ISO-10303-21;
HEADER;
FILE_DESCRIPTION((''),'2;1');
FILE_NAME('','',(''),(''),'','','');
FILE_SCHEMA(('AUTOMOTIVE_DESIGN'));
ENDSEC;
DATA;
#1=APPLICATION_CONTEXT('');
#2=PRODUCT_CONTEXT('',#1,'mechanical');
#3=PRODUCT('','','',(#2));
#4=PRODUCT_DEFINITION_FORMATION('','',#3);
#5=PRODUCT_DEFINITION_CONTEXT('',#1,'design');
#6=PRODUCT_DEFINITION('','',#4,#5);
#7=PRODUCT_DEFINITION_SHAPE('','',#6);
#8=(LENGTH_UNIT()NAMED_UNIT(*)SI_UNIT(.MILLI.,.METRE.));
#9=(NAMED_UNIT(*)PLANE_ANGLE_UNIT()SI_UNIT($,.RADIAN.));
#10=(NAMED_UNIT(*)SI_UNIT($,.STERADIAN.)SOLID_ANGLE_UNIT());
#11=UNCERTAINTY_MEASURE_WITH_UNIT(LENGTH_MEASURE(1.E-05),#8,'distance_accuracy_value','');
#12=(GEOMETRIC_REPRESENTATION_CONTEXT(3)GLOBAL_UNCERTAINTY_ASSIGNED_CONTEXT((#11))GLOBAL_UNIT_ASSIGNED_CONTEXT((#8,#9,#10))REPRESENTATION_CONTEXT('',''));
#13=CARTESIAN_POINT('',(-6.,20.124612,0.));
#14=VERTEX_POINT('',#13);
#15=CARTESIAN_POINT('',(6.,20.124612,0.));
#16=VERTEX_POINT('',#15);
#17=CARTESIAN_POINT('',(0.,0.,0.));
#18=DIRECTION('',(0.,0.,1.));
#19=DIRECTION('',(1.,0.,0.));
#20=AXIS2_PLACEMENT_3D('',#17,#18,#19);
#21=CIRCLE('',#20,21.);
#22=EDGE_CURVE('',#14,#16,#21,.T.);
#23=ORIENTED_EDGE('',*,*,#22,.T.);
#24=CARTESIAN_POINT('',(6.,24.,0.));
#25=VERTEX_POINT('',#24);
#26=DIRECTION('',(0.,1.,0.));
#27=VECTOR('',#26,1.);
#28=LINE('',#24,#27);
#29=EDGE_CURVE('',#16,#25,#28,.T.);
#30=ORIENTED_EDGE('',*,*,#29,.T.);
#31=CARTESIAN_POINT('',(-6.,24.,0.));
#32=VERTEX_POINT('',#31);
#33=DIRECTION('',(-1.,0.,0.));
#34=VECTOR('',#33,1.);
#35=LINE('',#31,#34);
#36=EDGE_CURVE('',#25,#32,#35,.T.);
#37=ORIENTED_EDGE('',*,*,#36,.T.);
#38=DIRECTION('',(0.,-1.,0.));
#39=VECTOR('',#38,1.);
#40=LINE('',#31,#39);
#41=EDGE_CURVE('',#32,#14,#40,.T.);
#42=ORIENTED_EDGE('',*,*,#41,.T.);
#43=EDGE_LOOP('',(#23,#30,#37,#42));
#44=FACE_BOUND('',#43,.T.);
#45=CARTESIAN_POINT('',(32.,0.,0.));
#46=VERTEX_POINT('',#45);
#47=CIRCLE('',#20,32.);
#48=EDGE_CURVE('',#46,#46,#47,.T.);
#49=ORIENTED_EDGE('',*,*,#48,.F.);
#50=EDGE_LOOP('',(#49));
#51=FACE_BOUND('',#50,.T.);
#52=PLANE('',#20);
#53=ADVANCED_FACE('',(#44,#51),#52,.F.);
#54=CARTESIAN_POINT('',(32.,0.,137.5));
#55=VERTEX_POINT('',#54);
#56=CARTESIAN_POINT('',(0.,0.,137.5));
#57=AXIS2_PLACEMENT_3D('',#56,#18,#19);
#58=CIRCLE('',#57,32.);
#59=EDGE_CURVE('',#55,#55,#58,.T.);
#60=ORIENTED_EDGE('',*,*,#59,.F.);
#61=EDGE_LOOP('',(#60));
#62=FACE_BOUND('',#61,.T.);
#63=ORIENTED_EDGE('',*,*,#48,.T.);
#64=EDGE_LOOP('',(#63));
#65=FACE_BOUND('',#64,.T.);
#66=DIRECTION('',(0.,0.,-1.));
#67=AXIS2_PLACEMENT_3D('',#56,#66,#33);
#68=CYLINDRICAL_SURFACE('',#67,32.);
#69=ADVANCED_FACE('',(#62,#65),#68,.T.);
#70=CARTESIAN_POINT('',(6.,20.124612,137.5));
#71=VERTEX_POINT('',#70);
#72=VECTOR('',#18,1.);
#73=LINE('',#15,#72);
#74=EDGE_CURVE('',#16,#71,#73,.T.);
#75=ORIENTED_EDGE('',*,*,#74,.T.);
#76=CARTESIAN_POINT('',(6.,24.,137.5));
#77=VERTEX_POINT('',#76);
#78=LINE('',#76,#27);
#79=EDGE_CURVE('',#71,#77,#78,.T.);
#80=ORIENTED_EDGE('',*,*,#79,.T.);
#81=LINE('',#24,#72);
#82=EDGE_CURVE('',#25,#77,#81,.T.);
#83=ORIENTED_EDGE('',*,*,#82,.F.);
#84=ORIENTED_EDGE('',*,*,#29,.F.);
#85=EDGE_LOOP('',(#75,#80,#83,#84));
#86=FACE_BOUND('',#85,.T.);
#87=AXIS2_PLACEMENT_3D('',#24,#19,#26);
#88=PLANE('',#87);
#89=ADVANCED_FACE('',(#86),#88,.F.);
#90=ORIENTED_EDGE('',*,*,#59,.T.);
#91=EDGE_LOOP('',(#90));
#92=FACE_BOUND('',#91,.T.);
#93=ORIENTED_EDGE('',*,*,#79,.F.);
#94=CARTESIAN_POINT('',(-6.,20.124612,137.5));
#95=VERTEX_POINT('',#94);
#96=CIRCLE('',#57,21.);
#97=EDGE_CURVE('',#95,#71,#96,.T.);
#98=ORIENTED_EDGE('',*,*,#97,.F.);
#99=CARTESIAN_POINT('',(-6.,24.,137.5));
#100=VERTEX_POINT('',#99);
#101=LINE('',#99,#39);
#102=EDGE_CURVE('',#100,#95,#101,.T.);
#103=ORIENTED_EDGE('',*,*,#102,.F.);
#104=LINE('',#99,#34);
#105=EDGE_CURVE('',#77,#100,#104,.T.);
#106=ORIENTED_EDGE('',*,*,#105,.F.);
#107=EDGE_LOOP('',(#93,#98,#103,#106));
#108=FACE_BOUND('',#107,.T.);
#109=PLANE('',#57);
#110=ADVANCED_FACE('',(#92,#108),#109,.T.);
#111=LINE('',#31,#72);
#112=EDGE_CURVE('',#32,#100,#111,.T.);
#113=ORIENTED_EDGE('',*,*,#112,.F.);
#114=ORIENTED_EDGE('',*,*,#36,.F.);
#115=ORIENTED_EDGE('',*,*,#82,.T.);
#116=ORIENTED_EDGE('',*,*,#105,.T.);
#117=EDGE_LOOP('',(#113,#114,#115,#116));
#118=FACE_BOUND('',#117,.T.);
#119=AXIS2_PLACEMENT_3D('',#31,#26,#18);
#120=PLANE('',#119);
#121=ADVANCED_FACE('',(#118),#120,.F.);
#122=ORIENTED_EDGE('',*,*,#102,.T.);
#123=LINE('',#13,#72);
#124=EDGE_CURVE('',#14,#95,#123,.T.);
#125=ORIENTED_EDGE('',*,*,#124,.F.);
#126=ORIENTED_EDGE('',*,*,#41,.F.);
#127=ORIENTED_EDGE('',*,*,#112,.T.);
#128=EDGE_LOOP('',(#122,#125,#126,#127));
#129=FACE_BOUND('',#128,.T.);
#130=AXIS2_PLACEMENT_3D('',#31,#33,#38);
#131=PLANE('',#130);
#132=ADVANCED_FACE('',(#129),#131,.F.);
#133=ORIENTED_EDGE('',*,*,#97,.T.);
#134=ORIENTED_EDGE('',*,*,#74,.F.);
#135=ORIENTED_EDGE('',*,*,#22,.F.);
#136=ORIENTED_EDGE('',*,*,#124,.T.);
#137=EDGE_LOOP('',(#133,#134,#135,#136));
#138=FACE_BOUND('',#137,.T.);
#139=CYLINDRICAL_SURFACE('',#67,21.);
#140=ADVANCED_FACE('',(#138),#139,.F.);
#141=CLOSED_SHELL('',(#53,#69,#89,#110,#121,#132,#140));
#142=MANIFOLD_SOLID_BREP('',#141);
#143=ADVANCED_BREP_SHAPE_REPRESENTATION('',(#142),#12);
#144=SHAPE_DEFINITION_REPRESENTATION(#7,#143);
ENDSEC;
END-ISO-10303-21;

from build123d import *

# Parameters (mm, degrees)
SKETCH1_R           = 32
SKETCH1_R_2         = 21
BOSS_EXTRUDE1_DEPTH = 137.5
SKETCH2_W           = 12
SKETCH2_H           = 3.875388203
CUT_EXTRUDE1_DEPTH  = 138.5


with BuildPart() as part:
    # Sketch1 → Boss-Extrude1 (new body)
    with BuildSketch(Plane.XY):
        Circle(SKETCH1_R)
        Circle(SKETCH1_R_2, mode=Mode.SUBTRACT)
    extrude(amount=BOSS_EXTRUDE1_DEPTH)

    # Sketch2 → Cut-Extrude1 (cut, through all)
    with BuildSketch(Plane.XY.offset(137.5)):
        with Locations((0, 22.062305899)):
            Rectangle(SKETCH2_W, SKETCH2_H)
    extrude(amount=-CUT_EXTRUDE1_DEPTH, mode=Mode.SUBTRACT)


solid = part.part
